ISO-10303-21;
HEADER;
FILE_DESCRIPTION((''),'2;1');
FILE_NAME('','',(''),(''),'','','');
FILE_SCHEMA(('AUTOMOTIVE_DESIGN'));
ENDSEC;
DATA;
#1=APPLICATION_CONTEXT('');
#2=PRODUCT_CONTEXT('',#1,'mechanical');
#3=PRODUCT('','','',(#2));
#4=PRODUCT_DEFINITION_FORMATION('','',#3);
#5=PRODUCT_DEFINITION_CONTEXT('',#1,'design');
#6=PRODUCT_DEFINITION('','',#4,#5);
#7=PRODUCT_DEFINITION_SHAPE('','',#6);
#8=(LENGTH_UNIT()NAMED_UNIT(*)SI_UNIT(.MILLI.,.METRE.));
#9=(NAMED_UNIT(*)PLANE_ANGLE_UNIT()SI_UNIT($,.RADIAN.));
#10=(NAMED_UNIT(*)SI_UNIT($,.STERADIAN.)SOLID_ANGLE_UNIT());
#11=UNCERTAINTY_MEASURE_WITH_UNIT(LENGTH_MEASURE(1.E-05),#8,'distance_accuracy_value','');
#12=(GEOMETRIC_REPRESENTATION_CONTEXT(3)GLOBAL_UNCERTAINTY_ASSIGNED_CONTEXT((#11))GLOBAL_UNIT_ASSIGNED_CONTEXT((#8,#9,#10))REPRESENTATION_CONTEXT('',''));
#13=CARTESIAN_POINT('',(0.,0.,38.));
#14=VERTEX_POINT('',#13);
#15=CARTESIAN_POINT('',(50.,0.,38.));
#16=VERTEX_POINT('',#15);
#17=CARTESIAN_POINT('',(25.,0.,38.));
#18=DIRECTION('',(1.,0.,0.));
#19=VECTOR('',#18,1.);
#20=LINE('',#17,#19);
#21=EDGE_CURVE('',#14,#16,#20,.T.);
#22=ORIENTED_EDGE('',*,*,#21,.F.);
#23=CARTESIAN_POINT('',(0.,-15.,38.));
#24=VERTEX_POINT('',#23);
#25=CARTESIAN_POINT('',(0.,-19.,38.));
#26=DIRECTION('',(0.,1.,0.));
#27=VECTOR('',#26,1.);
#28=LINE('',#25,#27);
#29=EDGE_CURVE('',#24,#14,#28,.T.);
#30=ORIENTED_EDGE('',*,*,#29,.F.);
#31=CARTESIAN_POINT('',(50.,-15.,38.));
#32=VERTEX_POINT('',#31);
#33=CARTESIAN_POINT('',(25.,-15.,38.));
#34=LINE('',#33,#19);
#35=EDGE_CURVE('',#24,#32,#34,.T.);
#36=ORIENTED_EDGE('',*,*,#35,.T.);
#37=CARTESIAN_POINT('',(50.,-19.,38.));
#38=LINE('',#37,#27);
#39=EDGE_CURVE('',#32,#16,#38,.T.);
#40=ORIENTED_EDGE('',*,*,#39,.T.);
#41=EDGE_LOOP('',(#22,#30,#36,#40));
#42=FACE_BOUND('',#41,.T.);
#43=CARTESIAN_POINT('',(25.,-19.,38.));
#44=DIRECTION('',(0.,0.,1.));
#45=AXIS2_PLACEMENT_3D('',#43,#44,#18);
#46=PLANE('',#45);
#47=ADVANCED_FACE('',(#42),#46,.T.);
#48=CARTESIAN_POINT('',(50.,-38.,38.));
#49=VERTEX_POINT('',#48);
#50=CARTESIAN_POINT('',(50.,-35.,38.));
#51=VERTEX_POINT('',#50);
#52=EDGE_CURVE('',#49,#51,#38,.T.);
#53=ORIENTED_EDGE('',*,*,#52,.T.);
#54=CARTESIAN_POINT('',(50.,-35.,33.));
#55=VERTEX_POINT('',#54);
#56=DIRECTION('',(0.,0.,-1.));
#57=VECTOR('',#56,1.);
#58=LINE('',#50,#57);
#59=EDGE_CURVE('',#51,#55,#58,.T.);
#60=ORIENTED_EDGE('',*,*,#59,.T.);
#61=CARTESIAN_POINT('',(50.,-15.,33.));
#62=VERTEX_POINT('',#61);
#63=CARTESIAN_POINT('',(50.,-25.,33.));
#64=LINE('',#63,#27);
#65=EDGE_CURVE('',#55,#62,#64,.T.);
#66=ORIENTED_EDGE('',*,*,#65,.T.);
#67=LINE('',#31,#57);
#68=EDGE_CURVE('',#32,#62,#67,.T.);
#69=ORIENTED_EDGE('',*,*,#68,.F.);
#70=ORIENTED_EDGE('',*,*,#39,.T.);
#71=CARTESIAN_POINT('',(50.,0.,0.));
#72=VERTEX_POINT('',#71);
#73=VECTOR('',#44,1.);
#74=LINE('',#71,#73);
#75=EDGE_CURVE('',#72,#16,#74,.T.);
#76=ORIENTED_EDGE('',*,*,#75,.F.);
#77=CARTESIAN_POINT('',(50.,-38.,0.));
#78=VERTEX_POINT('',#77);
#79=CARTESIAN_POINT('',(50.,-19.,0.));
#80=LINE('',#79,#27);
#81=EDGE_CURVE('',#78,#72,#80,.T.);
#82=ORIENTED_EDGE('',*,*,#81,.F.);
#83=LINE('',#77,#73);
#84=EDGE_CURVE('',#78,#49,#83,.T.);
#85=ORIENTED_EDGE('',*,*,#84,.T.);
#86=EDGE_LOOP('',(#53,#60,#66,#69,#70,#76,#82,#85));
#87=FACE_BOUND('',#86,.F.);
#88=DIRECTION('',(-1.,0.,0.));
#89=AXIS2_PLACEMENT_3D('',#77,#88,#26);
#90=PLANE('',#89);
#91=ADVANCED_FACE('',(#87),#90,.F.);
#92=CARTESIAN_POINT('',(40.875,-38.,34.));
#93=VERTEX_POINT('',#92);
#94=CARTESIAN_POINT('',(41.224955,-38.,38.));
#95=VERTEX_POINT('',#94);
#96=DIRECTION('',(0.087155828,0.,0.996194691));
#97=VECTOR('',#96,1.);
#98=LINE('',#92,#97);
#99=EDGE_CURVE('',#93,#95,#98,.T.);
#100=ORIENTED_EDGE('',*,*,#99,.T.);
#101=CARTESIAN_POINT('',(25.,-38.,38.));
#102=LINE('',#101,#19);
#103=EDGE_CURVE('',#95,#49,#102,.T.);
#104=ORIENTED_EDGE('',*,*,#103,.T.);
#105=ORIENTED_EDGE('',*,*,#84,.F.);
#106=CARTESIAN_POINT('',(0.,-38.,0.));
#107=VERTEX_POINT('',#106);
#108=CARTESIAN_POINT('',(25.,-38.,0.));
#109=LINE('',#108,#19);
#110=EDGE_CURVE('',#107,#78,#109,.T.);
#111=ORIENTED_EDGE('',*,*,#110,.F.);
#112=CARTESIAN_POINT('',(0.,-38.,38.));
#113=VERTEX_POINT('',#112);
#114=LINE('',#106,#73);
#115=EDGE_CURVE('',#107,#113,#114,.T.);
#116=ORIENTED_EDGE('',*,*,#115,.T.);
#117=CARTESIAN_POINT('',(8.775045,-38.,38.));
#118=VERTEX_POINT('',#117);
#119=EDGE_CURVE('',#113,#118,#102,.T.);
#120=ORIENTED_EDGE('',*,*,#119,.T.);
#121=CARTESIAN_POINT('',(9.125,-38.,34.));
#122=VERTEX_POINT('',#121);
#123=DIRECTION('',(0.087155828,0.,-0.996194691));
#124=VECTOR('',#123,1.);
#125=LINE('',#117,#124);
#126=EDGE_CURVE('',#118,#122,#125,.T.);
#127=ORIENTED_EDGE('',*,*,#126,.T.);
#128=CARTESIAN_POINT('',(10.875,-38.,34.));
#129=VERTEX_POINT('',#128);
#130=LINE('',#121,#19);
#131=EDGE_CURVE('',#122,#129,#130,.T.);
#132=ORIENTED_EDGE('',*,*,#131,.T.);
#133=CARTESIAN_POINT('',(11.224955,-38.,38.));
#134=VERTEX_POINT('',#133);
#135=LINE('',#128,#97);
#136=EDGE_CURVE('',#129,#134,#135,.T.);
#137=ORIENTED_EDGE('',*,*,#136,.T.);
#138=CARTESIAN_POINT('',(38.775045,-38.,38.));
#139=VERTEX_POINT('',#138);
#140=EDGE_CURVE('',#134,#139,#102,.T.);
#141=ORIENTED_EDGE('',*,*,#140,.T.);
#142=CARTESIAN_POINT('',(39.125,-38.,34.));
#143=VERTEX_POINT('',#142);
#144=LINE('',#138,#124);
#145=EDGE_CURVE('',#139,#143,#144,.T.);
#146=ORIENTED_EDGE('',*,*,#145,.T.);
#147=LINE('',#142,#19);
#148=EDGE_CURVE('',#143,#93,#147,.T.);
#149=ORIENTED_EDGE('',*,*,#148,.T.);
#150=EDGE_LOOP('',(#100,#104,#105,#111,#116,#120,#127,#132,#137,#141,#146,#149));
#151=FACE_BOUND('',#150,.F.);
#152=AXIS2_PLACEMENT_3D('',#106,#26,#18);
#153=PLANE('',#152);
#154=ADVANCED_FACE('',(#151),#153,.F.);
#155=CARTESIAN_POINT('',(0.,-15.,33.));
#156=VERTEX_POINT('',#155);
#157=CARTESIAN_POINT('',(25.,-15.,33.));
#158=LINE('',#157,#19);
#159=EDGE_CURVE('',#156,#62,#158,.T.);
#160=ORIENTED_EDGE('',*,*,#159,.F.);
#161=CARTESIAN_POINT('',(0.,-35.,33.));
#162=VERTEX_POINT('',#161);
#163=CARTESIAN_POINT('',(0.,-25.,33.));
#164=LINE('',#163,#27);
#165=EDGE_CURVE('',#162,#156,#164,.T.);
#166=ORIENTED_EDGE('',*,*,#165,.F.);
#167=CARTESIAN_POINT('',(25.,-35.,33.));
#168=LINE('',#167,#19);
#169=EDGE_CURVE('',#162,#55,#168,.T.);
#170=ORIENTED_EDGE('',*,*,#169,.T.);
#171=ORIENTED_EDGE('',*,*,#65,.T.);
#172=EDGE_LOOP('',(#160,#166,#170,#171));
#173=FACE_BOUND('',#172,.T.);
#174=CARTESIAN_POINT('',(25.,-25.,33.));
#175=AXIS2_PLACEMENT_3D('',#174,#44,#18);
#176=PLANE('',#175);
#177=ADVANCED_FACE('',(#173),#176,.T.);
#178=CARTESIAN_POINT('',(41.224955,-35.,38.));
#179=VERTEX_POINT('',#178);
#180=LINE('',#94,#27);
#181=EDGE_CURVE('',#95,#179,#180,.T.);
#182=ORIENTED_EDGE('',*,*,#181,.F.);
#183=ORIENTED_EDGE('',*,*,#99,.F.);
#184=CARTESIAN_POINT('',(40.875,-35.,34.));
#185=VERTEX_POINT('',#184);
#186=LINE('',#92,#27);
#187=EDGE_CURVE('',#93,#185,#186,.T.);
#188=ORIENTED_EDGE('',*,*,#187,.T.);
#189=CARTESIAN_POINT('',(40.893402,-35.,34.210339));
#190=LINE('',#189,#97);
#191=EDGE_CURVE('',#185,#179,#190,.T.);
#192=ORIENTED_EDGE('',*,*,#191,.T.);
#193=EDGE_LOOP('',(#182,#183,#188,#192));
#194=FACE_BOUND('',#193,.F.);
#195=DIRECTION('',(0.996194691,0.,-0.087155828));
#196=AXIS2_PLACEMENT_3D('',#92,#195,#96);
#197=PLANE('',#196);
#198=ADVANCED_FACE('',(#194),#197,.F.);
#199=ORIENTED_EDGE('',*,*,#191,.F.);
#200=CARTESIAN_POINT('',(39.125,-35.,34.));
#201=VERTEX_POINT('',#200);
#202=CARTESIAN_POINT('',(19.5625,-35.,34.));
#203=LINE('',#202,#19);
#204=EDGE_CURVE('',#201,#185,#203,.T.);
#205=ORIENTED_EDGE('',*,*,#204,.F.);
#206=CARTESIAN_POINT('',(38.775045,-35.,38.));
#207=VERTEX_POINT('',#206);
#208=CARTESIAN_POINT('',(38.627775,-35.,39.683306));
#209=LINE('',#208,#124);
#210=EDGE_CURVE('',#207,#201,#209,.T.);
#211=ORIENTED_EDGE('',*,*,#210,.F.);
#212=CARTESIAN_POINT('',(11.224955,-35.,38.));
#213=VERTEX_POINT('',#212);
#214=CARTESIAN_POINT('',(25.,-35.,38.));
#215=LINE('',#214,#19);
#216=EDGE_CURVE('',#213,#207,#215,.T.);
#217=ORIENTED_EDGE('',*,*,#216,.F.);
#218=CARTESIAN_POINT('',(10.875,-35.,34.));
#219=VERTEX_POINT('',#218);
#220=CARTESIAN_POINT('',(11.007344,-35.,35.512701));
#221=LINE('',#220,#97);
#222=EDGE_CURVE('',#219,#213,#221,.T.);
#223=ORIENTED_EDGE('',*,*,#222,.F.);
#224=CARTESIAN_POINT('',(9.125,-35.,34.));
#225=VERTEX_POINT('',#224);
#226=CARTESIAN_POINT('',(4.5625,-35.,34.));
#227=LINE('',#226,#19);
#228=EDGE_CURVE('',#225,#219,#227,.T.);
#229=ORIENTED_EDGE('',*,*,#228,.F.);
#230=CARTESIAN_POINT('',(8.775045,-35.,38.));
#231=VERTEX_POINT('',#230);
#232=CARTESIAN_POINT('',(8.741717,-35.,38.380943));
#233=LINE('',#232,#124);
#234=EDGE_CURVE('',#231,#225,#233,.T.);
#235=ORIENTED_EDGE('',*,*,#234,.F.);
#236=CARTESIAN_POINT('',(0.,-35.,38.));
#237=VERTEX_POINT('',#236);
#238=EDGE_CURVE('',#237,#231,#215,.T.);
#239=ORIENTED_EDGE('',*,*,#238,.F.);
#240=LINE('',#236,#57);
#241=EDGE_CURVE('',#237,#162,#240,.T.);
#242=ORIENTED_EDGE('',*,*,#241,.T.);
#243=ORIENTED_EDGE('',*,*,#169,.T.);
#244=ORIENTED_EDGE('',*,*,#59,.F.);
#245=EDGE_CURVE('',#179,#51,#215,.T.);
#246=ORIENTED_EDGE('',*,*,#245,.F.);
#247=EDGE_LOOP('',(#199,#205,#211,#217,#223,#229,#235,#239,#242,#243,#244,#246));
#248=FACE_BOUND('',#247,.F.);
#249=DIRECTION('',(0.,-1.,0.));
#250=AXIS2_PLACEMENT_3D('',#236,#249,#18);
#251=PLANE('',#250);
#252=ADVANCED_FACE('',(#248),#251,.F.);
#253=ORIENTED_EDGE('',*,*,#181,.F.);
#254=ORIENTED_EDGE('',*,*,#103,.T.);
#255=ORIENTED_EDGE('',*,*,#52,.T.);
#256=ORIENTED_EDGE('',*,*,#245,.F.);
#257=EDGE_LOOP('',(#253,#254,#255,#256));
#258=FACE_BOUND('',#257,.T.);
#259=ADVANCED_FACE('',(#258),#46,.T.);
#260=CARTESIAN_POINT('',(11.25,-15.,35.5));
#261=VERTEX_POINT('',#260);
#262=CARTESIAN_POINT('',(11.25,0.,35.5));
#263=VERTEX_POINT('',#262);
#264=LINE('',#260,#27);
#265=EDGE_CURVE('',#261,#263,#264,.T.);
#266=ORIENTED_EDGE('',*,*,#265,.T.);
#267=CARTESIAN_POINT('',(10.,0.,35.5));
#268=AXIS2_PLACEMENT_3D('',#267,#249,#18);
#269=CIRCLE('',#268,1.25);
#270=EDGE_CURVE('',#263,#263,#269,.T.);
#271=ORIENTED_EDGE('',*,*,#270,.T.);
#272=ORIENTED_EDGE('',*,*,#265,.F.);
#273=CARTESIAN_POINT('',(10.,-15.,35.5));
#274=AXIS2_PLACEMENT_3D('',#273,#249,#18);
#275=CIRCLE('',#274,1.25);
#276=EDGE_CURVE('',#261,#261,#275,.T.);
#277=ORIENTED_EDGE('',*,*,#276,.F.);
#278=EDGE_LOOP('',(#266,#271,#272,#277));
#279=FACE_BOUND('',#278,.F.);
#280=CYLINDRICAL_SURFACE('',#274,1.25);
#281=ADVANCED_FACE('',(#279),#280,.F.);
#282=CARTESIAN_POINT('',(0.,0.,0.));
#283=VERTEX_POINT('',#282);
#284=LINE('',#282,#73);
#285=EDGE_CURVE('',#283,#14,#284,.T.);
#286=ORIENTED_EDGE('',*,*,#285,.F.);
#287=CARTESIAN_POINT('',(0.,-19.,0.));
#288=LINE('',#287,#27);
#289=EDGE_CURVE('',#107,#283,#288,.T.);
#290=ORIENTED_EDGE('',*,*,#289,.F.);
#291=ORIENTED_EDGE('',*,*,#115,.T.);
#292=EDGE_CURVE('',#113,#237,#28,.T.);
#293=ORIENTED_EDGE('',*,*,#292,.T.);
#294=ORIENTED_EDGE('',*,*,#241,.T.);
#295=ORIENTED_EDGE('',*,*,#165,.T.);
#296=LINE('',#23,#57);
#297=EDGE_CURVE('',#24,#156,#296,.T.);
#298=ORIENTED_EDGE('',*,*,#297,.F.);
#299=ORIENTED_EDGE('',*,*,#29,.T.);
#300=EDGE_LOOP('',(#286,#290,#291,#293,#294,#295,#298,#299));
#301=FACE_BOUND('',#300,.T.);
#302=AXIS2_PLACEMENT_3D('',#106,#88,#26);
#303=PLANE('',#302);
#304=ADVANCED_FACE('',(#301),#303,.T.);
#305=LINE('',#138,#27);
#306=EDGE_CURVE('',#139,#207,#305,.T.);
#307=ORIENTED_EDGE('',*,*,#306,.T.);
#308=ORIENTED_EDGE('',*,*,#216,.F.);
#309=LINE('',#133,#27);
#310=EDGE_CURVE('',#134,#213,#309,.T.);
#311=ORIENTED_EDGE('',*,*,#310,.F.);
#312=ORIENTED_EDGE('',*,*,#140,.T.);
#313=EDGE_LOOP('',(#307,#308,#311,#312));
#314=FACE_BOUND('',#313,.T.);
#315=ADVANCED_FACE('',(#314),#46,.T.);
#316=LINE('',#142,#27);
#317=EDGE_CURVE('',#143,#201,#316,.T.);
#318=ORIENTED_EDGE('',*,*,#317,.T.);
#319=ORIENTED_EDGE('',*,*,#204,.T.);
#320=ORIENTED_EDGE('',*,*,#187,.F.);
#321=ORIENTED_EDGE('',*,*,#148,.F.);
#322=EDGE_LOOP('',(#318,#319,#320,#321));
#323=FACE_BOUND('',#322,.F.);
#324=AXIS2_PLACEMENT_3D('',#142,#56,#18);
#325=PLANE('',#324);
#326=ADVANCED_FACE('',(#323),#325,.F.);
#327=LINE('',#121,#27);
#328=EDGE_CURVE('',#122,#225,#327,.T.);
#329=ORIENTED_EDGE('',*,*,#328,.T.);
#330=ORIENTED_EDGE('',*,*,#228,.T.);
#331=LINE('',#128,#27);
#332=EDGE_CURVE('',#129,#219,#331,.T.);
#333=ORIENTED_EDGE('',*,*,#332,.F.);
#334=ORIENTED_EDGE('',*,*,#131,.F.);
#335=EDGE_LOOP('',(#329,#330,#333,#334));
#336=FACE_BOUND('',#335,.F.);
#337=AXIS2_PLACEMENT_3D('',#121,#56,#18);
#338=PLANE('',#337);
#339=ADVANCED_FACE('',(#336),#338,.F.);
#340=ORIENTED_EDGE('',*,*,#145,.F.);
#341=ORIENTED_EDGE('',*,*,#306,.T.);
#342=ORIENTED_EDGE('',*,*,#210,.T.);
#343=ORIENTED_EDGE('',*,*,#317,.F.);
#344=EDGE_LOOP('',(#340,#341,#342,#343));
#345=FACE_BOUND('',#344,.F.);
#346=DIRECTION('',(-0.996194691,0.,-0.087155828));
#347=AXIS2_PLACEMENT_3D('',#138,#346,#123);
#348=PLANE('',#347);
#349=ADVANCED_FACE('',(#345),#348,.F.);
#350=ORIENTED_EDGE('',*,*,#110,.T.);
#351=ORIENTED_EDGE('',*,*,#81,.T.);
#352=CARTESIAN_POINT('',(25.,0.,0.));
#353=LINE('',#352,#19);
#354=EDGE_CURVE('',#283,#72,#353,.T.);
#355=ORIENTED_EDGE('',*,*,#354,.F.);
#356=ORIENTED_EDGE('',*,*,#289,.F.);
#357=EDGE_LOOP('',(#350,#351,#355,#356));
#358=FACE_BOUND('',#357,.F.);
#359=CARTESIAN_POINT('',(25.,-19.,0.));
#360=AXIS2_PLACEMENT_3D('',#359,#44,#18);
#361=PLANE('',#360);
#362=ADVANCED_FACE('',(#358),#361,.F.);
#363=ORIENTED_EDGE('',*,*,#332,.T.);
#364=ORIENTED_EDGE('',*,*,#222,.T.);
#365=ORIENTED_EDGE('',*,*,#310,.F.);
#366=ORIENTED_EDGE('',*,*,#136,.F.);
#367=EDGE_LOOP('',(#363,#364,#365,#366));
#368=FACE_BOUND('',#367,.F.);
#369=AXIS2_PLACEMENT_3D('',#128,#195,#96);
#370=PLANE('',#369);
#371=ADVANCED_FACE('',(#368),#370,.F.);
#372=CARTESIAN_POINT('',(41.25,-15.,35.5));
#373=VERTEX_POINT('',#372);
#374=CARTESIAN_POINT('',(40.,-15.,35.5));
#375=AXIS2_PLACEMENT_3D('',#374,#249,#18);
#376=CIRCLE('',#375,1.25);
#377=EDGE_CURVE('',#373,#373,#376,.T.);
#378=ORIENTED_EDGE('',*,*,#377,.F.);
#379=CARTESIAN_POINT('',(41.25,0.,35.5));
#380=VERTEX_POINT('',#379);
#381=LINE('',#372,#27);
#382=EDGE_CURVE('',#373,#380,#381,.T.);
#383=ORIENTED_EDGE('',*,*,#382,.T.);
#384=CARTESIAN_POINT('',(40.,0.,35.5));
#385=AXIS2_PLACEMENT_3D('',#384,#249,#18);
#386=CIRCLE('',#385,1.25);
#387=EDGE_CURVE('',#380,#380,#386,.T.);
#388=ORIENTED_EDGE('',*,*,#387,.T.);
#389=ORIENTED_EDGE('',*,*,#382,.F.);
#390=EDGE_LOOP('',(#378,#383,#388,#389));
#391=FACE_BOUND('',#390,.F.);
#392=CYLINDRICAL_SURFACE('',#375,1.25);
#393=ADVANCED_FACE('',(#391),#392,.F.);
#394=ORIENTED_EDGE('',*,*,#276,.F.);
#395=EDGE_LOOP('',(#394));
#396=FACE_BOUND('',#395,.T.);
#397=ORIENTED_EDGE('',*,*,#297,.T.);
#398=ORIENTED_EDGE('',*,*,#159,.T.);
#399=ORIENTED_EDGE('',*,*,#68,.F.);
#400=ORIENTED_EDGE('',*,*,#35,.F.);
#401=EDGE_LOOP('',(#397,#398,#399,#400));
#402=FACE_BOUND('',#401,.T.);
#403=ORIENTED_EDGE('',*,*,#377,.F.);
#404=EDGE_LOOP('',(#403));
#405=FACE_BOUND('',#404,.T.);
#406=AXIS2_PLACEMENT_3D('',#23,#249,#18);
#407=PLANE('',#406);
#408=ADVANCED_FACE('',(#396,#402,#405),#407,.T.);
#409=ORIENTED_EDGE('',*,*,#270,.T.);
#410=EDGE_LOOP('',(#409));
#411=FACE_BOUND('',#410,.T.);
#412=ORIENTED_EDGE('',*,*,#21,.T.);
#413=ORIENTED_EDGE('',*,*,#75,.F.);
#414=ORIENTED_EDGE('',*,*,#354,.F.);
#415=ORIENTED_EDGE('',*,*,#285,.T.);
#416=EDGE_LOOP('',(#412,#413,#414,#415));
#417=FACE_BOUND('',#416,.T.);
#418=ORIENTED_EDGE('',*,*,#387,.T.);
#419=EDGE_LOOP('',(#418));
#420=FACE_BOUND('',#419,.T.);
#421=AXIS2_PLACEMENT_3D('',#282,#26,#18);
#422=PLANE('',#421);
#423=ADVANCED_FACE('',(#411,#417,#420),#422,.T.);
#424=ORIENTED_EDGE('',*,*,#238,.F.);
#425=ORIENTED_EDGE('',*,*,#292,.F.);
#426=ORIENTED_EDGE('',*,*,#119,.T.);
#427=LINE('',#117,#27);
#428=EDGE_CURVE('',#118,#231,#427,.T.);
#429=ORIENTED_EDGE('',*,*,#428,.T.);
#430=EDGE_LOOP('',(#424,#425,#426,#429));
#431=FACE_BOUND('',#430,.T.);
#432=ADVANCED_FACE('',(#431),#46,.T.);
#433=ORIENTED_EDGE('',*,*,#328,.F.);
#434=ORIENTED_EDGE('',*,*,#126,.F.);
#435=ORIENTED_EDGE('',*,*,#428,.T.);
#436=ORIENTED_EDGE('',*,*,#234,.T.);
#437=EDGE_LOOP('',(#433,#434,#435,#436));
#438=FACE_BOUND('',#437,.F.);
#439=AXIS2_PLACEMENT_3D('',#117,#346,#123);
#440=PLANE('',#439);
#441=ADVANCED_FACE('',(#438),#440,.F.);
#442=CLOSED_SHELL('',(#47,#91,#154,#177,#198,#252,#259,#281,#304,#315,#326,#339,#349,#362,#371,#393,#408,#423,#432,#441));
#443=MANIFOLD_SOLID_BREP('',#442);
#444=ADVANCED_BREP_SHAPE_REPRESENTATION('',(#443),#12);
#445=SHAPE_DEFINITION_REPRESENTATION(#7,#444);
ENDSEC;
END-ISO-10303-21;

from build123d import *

# Parameters (mm, degrees)
F0_W     = 50
F0_H     = 38
F1_DEPTH = 38
F2_W     = 50
F2_H     = 20
F3_DEPTH = 5
F4_R     = 1.25
F5_DEPTH = 25
F7_DEPTH = 5


with BuildPart() as f1:
    # F0 (on Top) → F1 (new body)
    with BuildSketch(Plane.XY):
        with Locations((25, -19)):
            Rectangle(F0_W, F0_H)
    extrude(amount=F1_DEPTH)

    # F2 (on face) → F3 (cut)
    with BuildSketch(Plane.XY.offset(38)):
        with Locations((25, -25)):
            Rectangle(F2_W, F2_H)
    extrude(amount=-F3_DEPTH, mode=Mode.SUBTRACT)

    # F4 (on face) → F5 (cut)
    with BuildSketch(Plane.XZ.offset(15)):
        with Locations((10, 35.5)):
            Circle(F4_R)
        with Locations((40, 35.5)):
            Circle(F4_R)
    extrude(amount=-F5_DEPTH, mode=Mode.SUBTRACT)

    # F6 (on face) → F7 (cut)
    with BuildSketch(Plane.XZ.offset(38)):
        Polygon((11.224955, 38), (8.775045, 38), (9.125, 34), (10.875, 34), align=None)
        Polygon((41.224955, 38), (38.775045, 38), (39.125, 34), (40.875, 34), align=None)
    extrude(amount=-F7_DEPTH, mode=Mode.SUBTRACT)


solid = f1.part
